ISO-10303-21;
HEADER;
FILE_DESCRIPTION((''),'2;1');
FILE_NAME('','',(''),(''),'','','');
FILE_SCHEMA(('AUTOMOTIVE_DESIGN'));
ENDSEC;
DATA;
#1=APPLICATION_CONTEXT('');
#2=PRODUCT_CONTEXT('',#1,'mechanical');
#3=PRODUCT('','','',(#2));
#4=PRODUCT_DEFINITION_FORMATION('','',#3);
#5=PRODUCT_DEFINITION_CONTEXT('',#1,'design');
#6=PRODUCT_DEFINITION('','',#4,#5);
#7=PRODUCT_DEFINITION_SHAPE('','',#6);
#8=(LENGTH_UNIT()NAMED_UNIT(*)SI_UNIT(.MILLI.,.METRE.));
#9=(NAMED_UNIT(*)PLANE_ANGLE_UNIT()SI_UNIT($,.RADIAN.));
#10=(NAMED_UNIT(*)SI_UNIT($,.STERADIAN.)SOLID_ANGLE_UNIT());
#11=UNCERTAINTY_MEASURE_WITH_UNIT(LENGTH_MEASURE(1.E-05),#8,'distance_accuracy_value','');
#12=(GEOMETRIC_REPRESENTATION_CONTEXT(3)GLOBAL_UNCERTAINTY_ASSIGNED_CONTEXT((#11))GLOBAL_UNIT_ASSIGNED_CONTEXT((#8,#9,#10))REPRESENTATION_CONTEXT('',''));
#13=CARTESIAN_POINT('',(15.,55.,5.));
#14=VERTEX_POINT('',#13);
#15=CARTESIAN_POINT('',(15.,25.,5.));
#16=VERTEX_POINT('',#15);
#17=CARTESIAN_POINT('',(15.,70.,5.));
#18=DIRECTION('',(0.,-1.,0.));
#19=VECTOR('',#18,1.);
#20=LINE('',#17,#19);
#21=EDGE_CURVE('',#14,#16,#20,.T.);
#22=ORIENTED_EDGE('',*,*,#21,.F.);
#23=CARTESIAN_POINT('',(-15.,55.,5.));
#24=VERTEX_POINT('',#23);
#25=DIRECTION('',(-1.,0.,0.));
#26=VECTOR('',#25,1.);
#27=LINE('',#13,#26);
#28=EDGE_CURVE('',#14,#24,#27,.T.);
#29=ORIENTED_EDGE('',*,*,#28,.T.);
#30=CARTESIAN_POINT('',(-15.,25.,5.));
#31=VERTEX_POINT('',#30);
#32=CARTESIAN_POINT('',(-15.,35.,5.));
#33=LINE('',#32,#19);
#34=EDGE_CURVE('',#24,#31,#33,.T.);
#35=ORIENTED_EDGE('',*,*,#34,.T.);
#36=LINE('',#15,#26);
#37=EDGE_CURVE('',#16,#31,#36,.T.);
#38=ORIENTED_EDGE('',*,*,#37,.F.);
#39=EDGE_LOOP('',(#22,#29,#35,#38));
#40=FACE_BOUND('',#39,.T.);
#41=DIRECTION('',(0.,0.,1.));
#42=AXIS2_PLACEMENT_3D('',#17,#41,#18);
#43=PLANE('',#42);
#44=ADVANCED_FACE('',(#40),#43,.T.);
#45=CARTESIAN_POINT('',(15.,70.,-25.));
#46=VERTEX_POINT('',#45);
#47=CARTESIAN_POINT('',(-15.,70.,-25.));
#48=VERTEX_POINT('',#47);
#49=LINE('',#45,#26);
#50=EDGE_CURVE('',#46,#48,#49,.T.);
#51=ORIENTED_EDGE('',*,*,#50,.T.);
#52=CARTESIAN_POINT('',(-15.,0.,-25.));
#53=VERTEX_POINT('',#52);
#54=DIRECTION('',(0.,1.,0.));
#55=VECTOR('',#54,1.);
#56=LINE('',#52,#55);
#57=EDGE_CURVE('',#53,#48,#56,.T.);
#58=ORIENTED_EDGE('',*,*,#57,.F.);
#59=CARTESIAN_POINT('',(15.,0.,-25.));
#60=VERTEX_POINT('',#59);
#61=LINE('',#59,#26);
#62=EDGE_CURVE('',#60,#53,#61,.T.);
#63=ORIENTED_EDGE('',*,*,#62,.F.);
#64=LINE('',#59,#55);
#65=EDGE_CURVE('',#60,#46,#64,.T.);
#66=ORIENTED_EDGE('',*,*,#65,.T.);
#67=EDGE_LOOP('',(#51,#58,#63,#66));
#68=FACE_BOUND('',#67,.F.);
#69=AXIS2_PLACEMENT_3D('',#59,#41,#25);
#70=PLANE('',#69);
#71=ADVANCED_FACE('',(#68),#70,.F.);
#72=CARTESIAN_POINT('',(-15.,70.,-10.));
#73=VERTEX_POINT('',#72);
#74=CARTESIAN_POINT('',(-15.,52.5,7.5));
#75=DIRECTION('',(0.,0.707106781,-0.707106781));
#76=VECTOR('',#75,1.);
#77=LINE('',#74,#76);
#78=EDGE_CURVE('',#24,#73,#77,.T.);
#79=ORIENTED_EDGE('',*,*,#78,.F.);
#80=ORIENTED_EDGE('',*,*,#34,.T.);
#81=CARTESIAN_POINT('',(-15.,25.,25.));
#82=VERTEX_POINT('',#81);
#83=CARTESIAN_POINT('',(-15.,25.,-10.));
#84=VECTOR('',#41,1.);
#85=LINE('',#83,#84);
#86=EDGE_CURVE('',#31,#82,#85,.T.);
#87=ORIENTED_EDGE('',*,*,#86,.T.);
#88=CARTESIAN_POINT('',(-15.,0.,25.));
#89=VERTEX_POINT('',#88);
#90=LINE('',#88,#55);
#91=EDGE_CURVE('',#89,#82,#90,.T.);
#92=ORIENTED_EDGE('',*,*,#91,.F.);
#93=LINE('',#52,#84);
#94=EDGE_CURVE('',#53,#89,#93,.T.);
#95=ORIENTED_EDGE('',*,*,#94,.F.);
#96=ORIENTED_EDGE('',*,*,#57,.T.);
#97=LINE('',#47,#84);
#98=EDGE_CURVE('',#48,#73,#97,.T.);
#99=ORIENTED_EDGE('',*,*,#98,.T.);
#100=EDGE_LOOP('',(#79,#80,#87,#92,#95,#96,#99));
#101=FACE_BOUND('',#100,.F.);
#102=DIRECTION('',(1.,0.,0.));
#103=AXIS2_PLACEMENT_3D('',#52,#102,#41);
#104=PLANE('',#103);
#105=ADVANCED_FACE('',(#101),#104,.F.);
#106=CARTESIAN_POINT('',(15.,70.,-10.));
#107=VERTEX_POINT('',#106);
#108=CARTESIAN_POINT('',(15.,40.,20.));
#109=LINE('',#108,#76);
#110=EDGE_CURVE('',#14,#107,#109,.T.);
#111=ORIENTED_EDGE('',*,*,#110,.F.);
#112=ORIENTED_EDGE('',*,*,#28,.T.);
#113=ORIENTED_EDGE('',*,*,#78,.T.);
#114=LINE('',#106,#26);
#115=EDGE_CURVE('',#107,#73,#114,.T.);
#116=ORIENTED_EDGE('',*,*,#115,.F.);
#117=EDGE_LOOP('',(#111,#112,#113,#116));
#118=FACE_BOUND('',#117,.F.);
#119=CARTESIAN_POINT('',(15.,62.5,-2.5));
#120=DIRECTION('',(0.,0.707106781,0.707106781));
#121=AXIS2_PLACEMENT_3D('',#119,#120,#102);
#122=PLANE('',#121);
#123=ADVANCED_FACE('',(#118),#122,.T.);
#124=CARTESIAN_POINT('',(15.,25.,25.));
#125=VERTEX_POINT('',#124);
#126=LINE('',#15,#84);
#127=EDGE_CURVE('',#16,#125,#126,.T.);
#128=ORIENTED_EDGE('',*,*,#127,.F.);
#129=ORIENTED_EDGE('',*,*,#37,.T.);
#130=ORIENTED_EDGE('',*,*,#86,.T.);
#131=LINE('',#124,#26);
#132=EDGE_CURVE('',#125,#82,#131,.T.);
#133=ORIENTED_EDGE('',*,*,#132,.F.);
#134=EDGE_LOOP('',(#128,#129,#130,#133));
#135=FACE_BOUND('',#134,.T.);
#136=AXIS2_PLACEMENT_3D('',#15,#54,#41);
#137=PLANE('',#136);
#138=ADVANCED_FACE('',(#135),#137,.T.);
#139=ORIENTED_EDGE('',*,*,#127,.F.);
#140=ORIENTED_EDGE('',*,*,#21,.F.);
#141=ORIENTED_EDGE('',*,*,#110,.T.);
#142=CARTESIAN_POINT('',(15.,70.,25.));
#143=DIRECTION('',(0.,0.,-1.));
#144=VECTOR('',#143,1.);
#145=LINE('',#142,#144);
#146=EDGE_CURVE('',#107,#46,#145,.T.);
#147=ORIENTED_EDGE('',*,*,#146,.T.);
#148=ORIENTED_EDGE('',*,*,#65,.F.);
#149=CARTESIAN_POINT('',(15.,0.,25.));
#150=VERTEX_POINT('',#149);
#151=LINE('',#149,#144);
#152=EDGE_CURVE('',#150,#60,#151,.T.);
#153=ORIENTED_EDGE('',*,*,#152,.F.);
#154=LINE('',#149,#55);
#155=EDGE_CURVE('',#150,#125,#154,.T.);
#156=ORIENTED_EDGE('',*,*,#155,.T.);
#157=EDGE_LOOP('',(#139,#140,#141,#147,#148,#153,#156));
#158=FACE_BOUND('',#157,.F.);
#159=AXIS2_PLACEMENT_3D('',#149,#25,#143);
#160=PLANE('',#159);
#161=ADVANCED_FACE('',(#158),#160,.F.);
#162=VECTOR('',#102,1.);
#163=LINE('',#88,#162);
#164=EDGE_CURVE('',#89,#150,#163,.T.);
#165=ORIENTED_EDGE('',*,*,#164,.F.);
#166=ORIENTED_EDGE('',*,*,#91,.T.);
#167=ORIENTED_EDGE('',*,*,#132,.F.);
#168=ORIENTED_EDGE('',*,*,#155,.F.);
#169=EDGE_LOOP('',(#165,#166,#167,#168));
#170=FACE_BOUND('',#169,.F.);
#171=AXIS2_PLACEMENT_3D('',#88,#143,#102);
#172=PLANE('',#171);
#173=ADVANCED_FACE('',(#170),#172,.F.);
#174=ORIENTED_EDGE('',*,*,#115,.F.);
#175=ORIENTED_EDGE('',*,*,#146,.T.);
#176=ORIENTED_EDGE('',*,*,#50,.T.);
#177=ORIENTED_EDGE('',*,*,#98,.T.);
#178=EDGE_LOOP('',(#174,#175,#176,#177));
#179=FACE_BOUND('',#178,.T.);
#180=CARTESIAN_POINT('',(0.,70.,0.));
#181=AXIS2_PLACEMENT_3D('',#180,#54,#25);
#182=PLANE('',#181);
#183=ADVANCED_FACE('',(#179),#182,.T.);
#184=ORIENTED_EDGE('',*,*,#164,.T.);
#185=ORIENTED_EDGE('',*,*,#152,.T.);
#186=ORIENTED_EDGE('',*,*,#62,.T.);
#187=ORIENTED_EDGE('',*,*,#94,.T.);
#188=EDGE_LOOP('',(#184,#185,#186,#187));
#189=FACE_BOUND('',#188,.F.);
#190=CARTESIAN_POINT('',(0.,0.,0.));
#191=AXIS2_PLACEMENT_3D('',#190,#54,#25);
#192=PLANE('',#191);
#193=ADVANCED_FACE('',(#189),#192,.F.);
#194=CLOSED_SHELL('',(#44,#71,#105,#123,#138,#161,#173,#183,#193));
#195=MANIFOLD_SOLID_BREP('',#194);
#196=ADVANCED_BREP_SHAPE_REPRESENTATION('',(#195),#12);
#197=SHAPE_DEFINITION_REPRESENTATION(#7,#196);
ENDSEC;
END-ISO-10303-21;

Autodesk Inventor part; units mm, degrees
ref_plane "YZ Plane" through (0, 0, 0) normal (1, 0, 0) x (0, 1, 0)
ref_plane "XZ Plane" through (0, 0, 0) normal (0, 1, 0) x (-1, 0, 0)
ref_plane "XY Plane" through (0, 0, 0) normal (0, 0, 1) x (1, 0, 0)
sketch "Esboço1" plane through (0, 0, 0) normal (0, 1, 0) x (-1, 0, 0)
  line L0 (15, 25) -> (-15, 25)
  line L1 (-15, 25) -> (-15, -25)
  line L2 (-15, -25) -> (15, -25)
  line L3 (15, -25) -> (15, 25)
  line L4 (15, 25) -> (-15, -25) construction
  line L5 (-15, 25) -> (15, -25) construction
  point P0 (0, 0)
  dimension "d0" = 30
  dimension "d1" = 50
extrude "Extrusão1" add sketch "Esboço1" along normal blind 70
sketch "Esboço2" plane through (15, 0, 25) normal (1, 0, 0) x (0, 0, -1)
  line L0 (0, 70) -> (20, 70)
  line L1 (20, 70) -> (20, 25)
  line L2 (20, 25) -> (0, 25)
  line L3 (0, 25) -> (0, 70)
  line L4 (50, 0) -> (50, 70) projected
  line L5 (0, 0) -> (50, 0) projected
  point P0 (25, 0)
  dimension "d4" = 30
  dimension "d5" = 25
extrude "Extrusão2" cut sketch "Esboço2" against normal through all
chamfer "Chanfro1" distance 15 angle 45 1 edges at (0, 70, 5) measured on face at (5, 70, -5)
properties part number "3D Model"
